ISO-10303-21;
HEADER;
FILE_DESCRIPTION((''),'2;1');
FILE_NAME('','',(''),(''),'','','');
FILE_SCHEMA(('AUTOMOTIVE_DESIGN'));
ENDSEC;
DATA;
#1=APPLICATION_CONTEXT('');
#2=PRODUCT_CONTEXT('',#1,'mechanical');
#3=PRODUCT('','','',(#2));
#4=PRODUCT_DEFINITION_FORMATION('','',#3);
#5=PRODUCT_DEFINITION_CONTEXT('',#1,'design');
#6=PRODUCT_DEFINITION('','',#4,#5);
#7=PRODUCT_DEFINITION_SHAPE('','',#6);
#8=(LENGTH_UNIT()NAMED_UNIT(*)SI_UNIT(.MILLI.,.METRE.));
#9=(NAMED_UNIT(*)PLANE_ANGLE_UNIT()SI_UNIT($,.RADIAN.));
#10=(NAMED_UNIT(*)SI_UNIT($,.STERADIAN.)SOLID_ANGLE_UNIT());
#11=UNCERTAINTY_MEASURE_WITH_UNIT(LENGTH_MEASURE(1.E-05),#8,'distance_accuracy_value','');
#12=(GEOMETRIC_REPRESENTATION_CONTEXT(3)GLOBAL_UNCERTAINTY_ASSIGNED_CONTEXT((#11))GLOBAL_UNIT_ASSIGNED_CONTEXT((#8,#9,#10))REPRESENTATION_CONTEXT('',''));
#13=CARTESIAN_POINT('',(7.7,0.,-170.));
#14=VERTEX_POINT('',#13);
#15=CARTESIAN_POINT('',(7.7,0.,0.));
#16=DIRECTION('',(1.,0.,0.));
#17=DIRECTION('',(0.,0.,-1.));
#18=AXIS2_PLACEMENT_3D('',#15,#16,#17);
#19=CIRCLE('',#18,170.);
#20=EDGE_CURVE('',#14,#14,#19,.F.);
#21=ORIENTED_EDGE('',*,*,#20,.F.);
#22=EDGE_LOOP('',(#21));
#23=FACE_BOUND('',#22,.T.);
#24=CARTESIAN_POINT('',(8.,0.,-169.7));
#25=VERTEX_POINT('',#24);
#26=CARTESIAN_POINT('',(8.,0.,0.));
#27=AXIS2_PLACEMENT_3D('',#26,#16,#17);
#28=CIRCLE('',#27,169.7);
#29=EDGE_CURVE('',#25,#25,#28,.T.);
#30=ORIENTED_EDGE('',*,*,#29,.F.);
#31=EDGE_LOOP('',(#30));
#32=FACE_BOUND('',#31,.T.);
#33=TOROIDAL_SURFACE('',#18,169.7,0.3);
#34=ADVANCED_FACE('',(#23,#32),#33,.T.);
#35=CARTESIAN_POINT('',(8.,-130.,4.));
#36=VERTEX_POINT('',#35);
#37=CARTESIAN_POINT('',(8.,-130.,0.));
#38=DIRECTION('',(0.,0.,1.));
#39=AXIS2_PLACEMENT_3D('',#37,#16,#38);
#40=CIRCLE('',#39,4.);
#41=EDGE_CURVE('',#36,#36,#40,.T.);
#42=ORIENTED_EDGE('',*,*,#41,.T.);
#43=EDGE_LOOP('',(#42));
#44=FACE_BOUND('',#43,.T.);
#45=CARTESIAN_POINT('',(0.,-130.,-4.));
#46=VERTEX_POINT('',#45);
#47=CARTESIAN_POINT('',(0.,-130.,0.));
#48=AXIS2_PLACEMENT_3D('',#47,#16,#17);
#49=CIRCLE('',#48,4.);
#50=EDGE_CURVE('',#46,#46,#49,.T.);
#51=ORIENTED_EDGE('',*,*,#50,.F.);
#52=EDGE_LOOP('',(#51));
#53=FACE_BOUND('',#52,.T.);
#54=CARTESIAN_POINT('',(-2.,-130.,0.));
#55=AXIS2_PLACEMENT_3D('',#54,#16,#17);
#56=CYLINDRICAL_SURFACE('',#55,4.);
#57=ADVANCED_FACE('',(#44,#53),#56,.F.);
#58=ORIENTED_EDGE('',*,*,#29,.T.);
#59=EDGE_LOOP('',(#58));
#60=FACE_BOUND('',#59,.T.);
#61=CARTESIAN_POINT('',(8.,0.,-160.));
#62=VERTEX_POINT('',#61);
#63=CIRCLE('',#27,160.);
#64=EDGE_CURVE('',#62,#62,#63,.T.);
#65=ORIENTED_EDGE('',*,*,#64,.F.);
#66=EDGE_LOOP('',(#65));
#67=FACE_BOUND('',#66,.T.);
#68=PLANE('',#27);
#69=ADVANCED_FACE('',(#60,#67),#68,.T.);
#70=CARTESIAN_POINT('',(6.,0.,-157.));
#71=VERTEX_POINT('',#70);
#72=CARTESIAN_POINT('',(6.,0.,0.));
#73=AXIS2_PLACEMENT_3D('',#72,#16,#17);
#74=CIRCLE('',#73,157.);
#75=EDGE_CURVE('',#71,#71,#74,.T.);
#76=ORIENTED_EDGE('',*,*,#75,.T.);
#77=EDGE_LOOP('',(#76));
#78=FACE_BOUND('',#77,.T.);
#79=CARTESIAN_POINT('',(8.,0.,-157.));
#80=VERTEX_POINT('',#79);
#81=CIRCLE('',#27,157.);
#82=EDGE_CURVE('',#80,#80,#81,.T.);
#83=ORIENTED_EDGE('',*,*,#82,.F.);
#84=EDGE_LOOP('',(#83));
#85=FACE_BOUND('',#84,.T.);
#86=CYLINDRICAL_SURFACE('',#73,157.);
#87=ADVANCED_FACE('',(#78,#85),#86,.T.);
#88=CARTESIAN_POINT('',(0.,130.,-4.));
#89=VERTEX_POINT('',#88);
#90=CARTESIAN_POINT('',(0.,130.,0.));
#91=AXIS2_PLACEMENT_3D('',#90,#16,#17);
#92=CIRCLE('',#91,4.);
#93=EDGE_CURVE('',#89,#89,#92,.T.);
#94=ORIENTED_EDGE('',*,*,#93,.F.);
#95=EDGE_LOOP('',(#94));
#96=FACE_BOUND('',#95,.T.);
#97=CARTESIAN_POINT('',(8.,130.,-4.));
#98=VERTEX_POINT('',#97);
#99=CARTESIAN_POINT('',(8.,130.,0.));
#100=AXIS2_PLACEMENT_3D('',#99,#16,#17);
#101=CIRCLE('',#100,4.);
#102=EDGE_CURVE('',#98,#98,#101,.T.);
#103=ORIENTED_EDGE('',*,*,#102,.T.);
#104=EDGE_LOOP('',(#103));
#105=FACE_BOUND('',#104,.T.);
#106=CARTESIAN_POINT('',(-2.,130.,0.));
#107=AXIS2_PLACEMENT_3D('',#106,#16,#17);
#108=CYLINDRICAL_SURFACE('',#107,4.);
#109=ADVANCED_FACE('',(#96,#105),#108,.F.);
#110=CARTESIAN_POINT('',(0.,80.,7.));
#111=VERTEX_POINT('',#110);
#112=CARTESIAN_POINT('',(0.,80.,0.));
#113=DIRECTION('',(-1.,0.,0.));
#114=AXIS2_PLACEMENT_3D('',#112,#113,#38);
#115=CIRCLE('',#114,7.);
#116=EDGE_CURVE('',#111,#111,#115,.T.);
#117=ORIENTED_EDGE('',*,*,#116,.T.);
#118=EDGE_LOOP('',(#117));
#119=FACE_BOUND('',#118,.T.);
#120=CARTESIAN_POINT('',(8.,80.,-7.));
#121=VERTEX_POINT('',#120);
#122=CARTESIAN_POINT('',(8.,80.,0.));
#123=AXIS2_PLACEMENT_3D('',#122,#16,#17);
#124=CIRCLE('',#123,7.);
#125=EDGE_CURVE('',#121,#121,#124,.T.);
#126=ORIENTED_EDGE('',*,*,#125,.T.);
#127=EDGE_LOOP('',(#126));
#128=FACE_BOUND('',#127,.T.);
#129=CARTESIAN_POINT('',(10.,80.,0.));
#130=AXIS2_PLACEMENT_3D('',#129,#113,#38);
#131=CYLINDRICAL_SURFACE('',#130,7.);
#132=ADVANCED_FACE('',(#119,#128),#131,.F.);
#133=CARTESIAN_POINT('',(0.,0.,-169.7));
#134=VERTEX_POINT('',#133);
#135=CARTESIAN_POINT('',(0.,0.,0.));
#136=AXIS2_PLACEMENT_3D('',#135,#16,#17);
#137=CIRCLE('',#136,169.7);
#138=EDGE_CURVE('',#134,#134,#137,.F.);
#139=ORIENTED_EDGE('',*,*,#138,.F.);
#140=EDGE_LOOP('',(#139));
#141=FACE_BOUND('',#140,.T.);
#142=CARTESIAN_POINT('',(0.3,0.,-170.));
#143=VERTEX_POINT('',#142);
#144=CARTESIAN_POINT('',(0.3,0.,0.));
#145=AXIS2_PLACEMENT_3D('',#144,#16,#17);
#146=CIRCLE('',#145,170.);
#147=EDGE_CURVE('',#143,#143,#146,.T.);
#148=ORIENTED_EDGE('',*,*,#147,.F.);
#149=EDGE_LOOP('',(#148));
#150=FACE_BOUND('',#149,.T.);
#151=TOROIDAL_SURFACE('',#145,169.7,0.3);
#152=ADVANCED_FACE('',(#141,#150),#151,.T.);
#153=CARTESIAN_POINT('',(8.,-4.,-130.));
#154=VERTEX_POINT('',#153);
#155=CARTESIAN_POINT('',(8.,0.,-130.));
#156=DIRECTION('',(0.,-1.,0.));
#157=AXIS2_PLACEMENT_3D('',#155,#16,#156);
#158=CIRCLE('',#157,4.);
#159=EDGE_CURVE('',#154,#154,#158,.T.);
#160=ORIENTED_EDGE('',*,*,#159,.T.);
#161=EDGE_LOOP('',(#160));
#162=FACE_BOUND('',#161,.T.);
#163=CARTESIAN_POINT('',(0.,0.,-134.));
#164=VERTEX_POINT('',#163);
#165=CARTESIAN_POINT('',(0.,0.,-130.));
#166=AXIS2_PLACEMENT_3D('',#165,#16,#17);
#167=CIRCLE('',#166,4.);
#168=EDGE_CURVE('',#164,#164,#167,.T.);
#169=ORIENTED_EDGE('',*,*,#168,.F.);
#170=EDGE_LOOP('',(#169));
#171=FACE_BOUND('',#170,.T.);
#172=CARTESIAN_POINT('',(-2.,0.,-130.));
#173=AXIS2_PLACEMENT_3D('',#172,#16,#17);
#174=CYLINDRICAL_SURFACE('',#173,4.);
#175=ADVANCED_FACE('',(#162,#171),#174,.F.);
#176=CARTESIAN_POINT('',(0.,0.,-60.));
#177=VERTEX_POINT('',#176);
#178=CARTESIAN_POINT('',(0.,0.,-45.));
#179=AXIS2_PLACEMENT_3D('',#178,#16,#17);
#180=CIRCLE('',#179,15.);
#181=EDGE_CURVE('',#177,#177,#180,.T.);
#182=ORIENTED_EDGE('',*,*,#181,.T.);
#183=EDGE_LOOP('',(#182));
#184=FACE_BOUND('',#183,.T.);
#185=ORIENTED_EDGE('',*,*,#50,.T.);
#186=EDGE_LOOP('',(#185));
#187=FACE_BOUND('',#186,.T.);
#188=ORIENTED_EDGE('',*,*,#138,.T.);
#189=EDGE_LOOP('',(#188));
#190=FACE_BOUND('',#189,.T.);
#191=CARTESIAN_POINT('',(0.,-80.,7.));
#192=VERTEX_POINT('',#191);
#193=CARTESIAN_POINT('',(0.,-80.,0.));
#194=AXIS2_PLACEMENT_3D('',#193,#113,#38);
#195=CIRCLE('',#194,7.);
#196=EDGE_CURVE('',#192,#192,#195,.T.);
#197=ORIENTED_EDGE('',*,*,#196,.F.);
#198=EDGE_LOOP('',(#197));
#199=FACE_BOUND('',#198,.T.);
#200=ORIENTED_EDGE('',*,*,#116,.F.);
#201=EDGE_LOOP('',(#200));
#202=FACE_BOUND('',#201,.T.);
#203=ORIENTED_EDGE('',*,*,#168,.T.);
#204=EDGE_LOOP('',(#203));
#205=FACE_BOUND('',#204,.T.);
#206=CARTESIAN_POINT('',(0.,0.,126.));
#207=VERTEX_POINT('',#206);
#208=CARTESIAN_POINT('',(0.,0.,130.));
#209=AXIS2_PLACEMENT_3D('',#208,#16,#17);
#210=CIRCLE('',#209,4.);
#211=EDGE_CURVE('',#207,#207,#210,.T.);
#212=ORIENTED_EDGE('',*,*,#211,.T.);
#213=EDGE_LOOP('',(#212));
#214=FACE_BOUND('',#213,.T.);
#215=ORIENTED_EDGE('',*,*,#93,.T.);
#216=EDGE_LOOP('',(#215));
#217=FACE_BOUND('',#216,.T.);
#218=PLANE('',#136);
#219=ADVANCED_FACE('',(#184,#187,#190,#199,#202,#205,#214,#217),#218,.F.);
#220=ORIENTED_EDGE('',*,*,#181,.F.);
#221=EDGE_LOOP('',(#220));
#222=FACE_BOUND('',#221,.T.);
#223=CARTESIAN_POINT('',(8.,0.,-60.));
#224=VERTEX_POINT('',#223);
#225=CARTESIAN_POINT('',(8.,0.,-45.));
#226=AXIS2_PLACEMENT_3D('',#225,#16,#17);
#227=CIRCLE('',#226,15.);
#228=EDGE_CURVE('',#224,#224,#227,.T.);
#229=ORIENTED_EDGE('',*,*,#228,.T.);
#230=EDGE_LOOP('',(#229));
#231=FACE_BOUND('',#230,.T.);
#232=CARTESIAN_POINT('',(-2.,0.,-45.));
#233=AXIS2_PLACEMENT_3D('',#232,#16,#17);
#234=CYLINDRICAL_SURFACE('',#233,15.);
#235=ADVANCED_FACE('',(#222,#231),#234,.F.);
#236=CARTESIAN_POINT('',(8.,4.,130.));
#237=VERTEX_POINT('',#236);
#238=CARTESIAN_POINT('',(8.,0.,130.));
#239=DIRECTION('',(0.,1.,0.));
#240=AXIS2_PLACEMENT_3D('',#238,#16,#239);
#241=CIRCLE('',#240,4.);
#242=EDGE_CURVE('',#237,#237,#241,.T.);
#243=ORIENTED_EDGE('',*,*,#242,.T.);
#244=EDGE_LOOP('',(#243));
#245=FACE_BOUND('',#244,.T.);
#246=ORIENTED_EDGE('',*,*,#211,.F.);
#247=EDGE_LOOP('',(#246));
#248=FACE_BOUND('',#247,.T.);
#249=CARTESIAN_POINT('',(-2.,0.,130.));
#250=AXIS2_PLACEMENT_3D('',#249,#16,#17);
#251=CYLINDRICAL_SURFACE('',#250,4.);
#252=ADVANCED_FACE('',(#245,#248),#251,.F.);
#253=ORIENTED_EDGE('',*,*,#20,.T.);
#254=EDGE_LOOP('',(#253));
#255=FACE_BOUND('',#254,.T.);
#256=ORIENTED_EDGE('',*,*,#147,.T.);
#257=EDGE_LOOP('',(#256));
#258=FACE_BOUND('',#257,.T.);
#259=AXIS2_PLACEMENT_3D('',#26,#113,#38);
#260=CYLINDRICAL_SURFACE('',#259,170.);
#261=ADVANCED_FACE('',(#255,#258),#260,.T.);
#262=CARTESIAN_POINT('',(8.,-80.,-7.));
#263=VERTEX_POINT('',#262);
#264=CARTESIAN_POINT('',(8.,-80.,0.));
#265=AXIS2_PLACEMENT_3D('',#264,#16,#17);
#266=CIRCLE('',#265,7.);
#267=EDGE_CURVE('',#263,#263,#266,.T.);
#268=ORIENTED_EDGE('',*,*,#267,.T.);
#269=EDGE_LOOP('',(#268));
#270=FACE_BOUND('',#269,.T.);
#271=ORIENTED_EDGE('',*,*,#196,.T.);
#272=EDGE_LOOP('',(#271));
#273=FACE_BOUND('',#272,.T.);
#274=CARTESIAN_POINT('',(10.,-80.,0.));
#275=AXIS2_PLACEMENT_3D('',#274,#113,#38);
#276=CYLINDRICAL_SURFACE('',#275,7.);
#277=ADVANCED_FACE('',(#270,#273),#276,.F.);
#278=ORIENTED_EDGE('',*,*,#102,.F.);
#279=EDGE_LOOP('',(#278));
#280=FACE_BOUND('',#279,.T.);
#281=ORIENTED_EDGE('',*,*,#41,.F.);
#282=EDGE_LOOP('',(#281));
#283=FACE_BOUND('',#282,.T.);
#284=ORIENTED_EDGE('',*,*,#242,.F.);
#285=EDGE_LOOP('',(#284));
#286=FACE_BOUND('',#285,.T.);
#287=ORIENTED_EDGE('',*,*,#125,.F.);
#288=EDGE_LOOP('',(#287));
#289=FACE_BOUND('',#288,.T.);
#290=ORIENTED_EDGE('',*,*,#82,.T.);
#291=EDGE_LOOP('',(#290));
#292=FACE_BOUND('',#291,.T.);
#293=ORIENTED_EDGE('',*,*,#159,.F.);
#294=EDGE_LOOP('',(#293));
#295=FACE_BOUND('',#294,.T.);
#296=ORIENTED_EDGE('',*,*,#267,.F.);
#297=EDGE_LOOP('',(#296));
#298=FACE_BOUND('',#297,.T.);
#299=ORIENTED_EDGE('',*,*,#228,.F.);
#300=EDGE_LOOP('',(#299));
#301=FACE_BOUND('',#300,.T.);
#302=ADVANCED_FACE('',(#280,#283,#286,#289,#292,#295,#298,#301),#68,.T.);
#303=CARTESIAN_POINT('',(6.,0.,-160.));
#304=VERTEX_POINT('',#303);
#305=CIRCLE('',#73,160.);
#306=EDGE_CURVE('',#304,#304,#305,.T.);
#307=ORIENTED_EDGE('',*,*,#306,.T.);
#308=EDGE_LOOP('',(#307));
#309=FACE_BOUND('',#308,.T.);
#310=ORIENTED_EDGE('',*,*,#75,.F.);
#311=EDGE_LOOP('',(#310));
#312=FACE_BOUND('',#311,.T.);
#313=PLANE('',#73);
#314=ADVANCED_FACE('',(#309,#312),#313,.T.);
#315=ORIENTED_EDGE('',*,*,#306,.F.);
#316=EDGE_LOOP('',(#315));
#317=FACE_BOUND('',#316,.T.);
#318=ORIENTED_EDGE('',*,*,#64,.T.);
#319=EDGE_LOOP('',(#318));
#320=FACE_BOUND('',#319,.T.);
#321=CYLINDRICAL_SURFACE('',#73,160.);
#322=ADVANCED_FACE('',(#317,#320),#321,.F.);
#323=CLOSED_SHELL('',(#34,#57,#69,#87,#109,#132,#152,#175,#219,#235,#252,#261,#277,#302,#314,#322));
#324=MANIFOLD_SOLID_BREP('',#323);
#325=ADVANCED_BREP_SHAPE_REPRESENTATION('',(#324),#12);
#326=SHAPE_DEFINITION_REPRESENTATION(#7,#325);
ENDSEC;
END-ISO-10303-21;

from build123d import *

# Parameters (mm, degrees)
SKETCH_1_R               = 170
EXTRUDE_1_DEPTH          = 8
SKETCH_5_R               = 4
CUT_EXTRUDE_4_DEPTH      = 10
PATTERN_CIRCULAR_3_COUNT = 4
SKETCH_7_R               = 160
SKETCH_7_R_2             = 157
CUT_EXTRUDE_5_DEPTH      = 2
FILLET_1_R               = 0.3
SKETCH_8_R               = 15
CUT_EXTRUDE_6_DEPTH      = 10
SKETCH_10_R              = 7
CUT_EXTRUDE_7_DEPTH      = 10


with BuildPart() as part:
    # 草图1 → 凸台-拉伸1 (new body)
    with BuildSketch(Plane(origin=(0, 0, 0), x_dir=(0, 0, -1), z_dir=(1, 0, 0))):
        Circle(SKETCH_1_R)
    extrude(amount=EXTRUDE_1_DEPTH)

    # 草图5 → 切除-拉伸4 (cut)
    with BuildSketch(Plane(origin=(8, 0, 0), x_dir=(0, 0, -1), z_dir=(1, 0, 0))):
        with Locations((0, 130)):
            Circle(SKETCH_5_R)
    cut_extrude_4 = extrude(amount=-CUT_EXTRUDE_4_DEPTH, mode=Mode.SUBTRACT)

    # 阵列(圆周)3: 切除-拉伸4 ×4 about axis
    pattern_circular_3_axis = Axis((0, 0, 0), (1, 0, 0))
    for i in range(1, PATTERN_CIRCULAR_3_COUNT):
        add(cut_extrude_4.rotate(pattern_circular_3_axis, i * 360 / PATTERN_CIRCULAR_3_COUNT), mode=Mode.SUBTRACT)

    # 草图7 → 切除-拉伸5 (cut)
    with BuildSketch(Plane(origin=(8, 0, 0), x_dir=(0, 0, -1), z_dir=(1, 0, 0))):
        Circle(SKETCH_7_R)
        Circle(SKETCH_7_R_2, mode=Mode.SUBTRACT)
    extrude(amount=-CUT_EXTRUDE_5_DEPTH, mode=Mode.SUBTRACT)

    # 圆角1
    fillet_1_edges = [part.edges().sort_by_distance(p)[0] for p in [
        (0, 0, 170),
        (8, 0, 170),
    ]]
    fillet(fillet_1_edges, radius=FILLET_1_R)

    # 草图8 → 切除-拉伸6 (cut)
    with BuildSketch(Plane(origin=(8, 0, 0), x_dir=(0, 0, -1), z_dir=(1, 0, 0))):
        with Locations((45, 0)):
            Circle(SKETCH_8_R)
    extrude(amount=-CUT_EXTRUDE_6_DEPTH, mode=Mode.SUBTRACT)

    # 草图10 → 切除-拉伸7 (cut)
    with BuildSketch(Plane.ZY):
        with Locations((0, -80)):
            Circle(SKETCH_10_R)
        with Locations((0, 80)):
            Circle(SKETCH_10_R)
    extrude(amount=-CUT_EXTRUDE_7_DEPTH, mode=Mode.SUBTRACT)


solid = part.part
